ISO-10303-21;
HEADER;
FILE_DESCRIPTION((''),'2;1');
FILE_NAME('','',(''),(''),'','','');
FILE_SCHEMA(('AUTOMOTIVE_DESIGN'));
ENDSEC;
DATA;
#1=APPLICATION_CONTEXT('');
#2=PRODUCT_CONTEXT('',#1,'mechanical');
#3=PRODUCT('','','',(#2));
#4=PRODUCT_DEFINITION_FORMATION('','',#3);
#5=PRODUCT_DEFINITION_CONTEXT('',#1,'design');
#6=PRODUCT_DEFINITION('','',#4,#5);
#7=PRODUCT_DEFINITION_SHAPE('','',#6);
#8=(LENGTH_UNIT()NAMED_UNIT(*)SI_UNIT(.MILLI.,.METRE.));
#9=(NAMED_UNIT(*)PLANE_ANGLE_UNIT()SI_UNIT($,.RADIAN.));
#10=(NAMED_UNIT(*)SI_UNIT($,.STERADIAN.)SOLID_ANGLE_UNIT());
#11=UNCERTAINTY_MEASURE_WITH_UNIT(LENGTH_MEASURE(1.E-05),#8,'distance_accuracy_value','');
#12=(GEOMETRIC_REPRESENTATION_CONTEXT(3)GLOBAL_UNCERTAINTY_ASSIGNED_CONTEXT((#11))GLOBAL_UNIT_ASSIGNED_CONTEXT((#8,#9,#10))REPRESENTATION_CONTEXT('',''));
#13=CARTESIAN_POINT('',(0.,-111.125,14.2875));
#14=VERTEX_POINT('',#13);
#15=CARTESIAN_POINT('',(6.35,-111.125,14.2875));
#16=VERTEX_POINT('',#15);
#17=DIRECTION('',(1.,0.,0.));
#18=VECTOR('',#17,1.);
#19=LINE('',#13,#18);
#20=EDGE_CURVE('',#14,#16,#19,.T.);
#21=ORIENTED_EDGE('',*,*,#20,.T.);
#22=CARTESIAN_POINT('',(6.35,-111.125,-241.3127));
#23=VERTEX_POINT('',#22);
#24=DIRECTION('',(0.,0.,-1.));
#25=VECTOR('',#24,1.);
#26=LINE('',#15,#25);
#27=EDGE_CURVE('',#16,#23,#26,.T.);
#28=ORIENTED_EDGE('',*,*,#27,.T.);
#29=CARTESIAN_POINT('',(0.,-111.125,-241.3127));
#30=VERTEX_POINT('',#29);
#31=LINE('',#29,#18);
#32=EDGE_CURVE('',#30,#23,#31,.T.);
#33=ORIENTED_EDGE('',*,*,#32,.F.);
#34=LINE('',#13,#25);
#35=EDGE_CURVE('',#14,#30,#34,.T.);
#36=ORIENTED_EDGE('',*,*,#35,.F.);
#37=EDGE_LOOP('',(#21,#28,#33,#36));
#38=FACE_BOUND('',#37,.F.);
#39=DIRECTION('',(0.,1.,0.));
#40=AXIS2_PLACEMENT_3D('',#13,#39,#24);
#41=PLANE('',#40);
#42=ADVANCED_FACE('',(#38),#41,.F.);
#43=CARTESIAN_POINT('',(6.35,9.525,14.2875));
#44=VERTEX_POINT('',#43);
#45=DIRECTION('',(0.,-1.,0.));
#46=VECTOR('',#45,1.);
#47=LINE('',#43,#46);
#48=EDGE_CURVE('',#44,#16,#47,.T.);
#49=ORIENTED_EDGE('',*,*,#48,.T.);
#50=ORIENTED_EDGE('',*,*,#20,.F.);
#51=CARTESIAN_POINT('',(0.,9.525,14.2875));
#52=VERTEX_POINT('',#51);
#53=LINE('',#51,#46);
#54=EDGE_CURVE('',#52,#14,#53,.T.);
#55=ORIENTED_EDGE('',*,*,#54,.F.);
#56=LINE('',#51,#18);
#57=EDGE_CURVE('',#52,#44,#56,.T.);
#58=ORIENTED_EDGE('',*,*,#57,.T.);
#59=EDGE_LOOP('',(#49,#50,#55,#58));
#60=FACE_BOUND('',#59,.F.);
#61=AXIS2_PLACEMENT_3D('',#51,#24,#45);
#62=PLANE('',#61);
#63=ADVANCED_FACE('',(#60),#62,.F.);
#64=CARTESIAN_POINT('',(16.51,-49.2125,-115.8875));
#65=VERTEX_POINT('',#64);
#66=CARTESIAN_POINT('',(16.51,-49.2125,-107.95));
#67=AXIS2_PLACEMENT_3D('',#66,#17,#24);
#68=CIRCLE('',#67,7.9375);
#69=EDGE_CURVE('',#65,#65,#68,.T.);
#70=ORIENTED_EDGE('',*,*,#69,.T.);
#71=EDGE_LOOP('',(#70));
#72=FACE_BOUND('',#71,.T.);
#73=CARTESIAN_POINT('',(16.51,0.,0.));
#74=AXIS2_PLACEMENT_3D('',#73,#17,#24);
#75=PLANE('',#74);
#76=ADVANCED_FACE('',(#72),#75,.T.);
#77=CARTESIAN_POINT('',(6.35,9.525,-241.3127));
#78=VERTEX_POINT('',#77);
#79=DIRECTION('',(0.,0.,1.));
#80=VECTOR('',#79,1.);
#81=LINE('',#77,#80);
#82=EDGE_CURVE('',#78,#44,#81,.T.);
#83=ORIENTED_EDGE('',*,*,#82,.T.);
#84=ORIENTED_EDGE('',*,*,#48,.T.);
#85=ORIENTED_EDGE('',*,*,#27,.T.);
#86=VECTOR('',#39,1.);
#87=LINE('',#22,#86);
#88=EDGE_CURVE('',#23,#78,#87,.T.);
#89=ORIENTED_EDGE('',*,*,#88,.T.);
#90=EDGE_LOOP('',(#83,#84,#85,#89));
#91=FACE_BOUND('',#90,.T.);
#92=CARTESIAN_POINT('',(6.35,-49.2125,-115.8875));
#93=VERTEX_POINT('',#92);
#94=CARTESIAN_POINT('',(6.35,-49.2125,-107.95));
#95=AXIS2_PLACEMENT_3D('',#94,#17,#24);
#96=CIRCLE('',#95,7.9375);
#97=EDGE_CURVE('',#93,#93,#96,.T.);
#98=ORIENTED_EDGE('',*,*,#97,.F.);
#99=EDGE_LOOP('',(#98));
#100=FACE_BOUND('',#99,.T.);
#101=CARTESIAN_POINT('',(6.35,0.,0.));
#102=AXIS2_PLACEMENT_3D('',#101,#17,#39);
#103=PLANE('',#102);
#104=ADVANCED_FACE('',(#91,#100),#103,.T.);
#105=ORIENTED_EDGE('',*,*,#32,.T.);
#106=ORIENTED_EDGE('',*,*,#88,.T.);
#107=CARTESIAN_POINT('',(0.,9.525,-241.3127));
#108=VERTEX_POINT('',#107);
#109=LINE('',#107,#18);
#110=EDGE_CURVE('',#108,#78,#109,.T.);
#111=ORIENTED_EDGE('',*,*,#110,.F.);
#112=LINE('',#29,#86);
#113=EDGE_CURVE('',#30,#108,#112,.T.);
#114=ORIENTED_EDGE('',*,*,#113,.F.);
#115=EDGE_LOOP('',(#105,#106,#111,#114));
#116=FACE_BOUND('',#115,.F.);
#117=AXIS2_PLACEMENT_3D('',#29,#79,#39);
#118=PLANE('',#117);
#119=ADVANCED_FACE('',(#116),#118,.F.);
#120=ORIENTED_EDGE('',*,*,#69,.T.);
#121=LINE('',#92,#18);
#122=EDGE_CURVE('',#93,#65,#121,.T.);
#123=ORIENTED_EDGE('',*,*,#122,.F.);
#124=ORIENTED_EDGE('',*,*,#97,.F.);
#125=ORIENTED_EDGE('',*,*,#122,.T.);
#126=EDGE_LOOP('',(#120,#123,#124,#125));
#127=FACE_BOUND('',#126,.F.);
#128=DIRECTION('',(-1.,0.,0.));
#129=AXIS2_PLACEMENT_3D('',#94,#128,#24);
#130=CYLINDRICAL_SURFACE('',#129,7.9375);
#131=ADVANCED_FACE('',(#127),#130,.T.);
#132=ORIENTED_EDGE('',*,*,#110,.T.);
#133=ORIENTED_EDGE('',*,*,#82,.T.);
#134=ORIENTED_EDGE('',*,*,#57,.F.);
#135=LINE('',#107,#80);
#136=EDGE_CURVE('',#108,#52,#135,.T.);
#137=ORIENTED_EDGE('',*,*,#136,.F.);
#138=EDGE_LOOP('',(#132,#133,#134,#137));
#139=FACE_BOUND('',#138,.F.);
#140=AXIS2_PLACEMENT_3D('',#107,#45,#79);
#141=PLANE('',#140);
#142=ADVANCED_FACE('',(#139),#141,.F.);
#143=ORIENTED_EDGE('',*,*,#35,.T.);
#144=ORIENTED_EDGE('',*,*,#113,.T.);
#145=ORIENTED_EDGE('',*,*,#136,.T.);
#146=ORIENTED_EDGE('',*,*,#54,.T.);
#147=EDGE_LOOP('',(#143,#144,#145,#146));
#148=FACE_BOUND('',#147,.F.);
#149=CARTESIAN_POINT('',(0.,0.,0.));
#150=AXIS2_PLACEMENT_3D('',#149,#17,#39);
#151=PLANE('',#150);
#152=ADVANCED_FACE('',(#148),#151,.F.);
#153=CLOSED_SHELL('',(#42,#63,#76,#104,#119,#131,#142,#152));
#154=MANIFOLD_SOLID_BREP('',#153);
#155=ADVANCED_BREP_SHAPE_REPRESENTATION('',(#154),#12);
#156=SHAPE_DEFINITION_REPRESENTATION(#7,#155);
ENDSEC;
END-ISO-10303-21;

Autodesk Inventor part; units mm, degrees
ref_plane "YZ Plane" through (0, 0, 0) normal (1, 0, 0) x (0, 1, 0)
ref_plane "XZ Plane" through (0, 0, 0) normal (0, 1, 0) x (-1, 0, 0)
ref_plane "XY Plane" through (0, 0, 0) normal (0, 0, 1) x (1, 0, 0)
sketch "Sketch1" plane through (0, 0, 0) normal (1, 0, 0) x (0, 1, 0)
  line L0 (9.525, 14.2875) -> (-111.125, 14.2875)
  line L1 (-111.125, 14.2875) -> (-111.125, -241.3127)
  line L2 (-111.125, -241.3127) -> (9.525, -241.3127)
  line L3 (9.525, -241.3127) -> (9.525, 14.2875)
  point P0 (0, 0)
  dimension "d0" = 120.65
  dimension "d1" = 255.6002
extrude "Extrusion1" add sketch "Sketch1" along normal blind 6.35
sketch "Sketch2" plane through (6.35, 0, 0) normal (1, 0, 0) x (0, 0, -1)
  circle A0 centre (107.95, -49.2125) radius 7.9375
  point P0 (0, 0)
extrude "Extrusion2" add sketch "Sketch2" along normal blind 10.16
properties part number "lid2" material "PMMA Plastic"
